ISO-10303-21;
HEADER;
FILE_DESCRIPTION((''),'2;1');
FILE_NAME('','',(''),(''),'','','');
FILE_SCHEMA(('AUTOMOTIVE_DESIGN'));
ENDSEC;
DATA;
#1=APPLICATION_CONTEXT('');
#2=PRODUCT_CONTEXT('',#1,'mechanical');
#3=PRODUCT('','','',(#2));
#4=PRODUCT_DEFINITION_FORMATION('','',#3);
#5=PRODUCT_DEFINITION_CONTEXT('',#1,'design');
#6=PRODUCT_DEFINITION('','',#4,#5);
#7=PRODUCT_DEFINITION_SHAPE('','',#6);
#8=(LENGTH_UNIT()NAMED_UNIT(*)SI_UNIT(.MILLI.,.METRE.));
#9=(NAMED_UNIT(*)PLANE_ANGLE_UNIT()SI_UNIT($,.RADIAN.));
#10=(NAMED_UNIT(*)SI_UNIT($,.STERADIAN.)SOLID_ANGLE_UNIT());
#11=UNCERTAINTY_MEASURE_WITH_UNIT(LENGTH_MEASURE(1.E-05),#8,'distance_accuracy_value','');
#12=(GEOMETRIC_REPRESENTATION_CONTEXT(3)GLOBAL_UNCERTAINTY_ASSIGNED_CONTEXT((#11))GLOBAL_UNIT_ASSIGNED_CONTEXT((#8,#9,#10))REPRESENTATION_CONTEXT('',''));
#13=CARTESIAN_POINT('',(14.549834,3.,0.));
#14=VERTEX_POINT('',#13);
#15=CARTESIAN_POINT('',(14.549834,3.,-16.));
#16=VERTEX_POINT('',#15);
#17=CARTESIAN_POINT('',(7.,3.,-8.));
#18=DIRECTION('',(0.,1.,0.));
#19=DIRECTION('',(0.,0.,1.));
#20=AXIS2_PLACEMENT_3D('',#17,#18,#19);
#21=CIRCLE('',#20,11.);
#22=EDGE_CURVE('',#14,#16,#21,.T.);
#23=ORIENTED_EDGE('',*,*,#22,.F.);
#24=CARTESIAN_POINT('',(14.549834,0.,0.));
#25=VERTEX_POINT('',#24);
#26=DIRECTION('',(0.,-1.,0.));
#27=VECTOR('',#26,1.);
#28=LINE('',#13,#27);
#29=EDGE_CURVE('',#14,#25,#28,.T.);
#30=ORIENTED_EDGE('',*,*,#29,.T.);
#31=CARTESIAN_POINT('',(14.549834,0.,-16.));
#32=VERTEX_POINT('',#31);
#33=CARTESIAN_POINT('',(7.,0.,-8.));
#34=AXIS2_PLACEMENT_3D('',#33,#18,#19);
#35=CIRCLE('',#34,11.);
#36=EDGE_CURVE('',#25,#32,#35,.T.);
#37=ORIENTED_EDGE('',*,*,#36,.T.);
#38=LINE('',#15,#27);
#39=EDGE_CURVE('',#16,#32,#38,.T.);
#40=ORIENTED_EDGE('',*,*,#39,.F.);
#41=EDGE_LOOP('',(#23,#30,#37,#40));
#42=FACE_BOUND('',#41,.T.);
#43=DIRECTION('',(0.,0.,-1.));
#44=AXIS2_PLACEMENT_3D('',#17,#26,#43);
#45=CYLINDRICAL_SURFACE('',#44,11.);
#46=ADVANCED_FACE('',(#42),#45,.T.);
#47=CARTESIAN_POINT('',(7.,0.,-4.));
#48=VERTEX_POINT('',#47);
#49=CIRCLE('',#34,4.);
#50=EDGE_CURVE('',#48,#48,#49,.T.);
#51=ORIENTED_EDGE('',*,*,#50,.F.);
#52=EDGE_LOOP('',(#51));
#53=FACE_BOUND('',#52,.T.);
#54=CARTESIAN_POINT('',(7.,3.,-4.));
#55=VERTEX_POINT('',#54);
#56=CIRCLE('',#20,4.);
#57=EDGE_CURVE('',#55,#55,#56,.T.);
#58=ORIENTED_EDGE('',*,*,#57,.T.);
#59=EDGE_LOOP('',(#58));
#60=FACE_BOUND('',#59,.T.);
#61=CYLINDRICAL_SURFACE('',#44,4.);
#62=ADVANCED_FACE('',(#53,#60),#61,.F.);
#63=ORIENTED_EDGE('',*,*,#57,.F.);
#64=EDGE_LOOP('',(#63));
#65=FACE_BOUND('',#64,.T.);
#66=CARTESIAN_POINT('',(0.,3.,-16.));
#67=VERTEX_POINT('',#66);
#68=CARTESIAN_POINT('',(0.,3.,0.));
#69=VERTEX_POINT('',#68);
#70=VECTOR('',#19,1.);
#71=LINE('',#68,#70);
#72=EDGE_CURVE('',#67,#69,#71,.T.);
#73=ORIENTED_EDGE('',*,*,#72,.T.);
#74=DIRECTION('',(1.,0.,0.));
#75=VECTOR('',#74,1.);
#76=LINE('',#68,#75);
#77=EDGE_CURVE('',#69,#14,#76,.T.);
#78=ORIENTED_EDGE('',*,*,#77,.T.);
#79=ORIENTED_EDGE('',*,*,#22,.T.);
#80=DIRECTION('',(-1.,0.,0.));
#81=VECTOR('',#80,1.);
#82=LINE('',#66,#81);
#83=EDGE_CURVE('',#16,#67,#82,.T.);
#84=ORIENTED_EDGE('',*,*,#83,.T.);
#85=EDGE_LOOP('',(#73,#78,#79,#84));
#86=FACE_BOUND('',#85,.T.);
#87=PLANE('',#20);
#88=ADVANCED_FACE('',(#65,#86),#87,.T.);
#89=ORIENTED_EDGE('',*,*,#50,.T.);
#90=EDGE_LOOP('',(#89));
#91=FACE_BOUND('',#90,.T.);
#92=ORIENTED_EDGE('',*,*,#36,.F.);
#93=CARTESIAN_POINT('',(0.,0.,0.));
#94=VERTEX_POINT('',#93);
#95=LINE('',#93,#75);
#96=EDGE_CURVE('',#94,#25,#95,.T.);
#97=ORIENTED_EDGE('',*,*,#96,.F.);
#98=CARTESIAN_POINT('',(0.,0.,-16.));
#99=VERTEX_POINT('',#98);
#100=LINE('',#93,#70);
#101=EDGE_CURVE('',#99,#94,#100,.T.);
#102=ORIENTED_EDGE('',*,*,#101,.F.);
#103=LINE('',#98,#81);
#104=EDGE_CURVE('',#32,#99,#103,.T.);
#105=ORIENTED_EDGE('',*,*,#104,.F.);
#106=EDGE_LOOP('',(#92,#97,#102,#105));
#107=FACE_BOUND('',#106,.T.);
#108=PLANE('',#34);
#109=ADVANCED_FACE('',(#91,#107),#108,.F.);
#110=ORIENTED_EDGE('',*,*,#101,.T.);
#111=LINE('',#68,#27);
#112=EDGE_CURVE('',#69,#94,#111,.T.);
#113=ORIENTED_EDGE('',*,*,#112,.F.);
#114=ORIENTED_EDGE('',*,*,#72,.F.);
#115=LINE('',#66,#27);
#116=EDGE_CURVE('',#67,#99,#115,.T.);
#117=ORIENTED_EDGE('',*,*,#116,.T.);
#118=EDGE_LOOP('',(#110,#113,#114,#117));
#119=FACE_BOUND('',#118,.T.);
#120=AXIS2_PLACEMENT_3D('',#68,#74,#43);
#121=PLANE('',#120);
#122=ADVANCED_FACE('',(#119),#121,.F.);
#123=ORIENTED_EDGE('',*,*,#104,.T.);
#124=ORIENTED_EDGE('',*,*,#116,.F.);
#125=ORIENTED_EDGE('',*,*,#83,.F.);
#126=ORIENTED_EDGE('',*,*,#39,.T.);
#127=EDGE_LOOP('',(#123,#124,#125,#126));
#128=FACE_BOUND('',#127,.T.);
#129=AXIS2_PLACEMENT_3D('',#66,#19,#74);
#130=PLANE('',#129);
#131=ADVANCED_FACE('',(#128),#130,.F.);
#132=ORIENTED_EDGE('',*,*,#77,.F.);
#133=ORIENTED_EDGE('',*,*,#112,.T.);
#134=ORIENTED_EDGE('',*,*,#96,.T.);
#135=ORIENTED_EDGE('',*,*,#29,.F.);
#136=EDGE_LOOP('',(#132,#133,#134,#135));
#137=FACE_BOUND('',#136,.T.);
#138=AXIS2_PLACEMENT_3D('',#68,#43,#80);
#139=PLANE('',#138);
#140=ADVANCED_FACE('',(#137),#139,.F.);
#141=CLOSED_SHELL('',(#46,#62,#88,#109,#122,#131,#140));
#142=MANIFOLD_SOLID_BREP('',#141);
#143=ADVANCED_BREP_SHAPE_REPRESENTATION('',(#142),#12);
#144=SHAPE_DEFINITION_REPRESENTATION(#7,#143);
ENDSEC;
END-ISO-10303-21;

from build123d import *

# Parameters (mm, degrees)
CROQUIS1_R              = 4
SALIENTE_EXTRUIR1_DEPTH = 3


with BuildPart() as part:
    # Croquis1 → Saliente-Extruir1 (new body)
    with BuildSketch(Plane(origin=(0, 0, 0), x_dir=(1, 0, 0), z_dir=(0, 1, 0))):
        with BuildLine():
            Line((0, 0), (14.549834435, 0))
            ThreePointArc((14.549834435, 0), (18, 8), (14.549834435, 16))
            Line((14.549834435, 16), (0, 16))
            Line((0, 16), (0, 0))
        make_face()
        with Locations(Location((7, 8, 0), (0, 0, 270))):
            Circle(CROQUIS1_R, mode=Mode.SUBTRACT)
    extrude(amount=SALIENTE_EXTRUIR1_DEPTH)


solid = part.part
